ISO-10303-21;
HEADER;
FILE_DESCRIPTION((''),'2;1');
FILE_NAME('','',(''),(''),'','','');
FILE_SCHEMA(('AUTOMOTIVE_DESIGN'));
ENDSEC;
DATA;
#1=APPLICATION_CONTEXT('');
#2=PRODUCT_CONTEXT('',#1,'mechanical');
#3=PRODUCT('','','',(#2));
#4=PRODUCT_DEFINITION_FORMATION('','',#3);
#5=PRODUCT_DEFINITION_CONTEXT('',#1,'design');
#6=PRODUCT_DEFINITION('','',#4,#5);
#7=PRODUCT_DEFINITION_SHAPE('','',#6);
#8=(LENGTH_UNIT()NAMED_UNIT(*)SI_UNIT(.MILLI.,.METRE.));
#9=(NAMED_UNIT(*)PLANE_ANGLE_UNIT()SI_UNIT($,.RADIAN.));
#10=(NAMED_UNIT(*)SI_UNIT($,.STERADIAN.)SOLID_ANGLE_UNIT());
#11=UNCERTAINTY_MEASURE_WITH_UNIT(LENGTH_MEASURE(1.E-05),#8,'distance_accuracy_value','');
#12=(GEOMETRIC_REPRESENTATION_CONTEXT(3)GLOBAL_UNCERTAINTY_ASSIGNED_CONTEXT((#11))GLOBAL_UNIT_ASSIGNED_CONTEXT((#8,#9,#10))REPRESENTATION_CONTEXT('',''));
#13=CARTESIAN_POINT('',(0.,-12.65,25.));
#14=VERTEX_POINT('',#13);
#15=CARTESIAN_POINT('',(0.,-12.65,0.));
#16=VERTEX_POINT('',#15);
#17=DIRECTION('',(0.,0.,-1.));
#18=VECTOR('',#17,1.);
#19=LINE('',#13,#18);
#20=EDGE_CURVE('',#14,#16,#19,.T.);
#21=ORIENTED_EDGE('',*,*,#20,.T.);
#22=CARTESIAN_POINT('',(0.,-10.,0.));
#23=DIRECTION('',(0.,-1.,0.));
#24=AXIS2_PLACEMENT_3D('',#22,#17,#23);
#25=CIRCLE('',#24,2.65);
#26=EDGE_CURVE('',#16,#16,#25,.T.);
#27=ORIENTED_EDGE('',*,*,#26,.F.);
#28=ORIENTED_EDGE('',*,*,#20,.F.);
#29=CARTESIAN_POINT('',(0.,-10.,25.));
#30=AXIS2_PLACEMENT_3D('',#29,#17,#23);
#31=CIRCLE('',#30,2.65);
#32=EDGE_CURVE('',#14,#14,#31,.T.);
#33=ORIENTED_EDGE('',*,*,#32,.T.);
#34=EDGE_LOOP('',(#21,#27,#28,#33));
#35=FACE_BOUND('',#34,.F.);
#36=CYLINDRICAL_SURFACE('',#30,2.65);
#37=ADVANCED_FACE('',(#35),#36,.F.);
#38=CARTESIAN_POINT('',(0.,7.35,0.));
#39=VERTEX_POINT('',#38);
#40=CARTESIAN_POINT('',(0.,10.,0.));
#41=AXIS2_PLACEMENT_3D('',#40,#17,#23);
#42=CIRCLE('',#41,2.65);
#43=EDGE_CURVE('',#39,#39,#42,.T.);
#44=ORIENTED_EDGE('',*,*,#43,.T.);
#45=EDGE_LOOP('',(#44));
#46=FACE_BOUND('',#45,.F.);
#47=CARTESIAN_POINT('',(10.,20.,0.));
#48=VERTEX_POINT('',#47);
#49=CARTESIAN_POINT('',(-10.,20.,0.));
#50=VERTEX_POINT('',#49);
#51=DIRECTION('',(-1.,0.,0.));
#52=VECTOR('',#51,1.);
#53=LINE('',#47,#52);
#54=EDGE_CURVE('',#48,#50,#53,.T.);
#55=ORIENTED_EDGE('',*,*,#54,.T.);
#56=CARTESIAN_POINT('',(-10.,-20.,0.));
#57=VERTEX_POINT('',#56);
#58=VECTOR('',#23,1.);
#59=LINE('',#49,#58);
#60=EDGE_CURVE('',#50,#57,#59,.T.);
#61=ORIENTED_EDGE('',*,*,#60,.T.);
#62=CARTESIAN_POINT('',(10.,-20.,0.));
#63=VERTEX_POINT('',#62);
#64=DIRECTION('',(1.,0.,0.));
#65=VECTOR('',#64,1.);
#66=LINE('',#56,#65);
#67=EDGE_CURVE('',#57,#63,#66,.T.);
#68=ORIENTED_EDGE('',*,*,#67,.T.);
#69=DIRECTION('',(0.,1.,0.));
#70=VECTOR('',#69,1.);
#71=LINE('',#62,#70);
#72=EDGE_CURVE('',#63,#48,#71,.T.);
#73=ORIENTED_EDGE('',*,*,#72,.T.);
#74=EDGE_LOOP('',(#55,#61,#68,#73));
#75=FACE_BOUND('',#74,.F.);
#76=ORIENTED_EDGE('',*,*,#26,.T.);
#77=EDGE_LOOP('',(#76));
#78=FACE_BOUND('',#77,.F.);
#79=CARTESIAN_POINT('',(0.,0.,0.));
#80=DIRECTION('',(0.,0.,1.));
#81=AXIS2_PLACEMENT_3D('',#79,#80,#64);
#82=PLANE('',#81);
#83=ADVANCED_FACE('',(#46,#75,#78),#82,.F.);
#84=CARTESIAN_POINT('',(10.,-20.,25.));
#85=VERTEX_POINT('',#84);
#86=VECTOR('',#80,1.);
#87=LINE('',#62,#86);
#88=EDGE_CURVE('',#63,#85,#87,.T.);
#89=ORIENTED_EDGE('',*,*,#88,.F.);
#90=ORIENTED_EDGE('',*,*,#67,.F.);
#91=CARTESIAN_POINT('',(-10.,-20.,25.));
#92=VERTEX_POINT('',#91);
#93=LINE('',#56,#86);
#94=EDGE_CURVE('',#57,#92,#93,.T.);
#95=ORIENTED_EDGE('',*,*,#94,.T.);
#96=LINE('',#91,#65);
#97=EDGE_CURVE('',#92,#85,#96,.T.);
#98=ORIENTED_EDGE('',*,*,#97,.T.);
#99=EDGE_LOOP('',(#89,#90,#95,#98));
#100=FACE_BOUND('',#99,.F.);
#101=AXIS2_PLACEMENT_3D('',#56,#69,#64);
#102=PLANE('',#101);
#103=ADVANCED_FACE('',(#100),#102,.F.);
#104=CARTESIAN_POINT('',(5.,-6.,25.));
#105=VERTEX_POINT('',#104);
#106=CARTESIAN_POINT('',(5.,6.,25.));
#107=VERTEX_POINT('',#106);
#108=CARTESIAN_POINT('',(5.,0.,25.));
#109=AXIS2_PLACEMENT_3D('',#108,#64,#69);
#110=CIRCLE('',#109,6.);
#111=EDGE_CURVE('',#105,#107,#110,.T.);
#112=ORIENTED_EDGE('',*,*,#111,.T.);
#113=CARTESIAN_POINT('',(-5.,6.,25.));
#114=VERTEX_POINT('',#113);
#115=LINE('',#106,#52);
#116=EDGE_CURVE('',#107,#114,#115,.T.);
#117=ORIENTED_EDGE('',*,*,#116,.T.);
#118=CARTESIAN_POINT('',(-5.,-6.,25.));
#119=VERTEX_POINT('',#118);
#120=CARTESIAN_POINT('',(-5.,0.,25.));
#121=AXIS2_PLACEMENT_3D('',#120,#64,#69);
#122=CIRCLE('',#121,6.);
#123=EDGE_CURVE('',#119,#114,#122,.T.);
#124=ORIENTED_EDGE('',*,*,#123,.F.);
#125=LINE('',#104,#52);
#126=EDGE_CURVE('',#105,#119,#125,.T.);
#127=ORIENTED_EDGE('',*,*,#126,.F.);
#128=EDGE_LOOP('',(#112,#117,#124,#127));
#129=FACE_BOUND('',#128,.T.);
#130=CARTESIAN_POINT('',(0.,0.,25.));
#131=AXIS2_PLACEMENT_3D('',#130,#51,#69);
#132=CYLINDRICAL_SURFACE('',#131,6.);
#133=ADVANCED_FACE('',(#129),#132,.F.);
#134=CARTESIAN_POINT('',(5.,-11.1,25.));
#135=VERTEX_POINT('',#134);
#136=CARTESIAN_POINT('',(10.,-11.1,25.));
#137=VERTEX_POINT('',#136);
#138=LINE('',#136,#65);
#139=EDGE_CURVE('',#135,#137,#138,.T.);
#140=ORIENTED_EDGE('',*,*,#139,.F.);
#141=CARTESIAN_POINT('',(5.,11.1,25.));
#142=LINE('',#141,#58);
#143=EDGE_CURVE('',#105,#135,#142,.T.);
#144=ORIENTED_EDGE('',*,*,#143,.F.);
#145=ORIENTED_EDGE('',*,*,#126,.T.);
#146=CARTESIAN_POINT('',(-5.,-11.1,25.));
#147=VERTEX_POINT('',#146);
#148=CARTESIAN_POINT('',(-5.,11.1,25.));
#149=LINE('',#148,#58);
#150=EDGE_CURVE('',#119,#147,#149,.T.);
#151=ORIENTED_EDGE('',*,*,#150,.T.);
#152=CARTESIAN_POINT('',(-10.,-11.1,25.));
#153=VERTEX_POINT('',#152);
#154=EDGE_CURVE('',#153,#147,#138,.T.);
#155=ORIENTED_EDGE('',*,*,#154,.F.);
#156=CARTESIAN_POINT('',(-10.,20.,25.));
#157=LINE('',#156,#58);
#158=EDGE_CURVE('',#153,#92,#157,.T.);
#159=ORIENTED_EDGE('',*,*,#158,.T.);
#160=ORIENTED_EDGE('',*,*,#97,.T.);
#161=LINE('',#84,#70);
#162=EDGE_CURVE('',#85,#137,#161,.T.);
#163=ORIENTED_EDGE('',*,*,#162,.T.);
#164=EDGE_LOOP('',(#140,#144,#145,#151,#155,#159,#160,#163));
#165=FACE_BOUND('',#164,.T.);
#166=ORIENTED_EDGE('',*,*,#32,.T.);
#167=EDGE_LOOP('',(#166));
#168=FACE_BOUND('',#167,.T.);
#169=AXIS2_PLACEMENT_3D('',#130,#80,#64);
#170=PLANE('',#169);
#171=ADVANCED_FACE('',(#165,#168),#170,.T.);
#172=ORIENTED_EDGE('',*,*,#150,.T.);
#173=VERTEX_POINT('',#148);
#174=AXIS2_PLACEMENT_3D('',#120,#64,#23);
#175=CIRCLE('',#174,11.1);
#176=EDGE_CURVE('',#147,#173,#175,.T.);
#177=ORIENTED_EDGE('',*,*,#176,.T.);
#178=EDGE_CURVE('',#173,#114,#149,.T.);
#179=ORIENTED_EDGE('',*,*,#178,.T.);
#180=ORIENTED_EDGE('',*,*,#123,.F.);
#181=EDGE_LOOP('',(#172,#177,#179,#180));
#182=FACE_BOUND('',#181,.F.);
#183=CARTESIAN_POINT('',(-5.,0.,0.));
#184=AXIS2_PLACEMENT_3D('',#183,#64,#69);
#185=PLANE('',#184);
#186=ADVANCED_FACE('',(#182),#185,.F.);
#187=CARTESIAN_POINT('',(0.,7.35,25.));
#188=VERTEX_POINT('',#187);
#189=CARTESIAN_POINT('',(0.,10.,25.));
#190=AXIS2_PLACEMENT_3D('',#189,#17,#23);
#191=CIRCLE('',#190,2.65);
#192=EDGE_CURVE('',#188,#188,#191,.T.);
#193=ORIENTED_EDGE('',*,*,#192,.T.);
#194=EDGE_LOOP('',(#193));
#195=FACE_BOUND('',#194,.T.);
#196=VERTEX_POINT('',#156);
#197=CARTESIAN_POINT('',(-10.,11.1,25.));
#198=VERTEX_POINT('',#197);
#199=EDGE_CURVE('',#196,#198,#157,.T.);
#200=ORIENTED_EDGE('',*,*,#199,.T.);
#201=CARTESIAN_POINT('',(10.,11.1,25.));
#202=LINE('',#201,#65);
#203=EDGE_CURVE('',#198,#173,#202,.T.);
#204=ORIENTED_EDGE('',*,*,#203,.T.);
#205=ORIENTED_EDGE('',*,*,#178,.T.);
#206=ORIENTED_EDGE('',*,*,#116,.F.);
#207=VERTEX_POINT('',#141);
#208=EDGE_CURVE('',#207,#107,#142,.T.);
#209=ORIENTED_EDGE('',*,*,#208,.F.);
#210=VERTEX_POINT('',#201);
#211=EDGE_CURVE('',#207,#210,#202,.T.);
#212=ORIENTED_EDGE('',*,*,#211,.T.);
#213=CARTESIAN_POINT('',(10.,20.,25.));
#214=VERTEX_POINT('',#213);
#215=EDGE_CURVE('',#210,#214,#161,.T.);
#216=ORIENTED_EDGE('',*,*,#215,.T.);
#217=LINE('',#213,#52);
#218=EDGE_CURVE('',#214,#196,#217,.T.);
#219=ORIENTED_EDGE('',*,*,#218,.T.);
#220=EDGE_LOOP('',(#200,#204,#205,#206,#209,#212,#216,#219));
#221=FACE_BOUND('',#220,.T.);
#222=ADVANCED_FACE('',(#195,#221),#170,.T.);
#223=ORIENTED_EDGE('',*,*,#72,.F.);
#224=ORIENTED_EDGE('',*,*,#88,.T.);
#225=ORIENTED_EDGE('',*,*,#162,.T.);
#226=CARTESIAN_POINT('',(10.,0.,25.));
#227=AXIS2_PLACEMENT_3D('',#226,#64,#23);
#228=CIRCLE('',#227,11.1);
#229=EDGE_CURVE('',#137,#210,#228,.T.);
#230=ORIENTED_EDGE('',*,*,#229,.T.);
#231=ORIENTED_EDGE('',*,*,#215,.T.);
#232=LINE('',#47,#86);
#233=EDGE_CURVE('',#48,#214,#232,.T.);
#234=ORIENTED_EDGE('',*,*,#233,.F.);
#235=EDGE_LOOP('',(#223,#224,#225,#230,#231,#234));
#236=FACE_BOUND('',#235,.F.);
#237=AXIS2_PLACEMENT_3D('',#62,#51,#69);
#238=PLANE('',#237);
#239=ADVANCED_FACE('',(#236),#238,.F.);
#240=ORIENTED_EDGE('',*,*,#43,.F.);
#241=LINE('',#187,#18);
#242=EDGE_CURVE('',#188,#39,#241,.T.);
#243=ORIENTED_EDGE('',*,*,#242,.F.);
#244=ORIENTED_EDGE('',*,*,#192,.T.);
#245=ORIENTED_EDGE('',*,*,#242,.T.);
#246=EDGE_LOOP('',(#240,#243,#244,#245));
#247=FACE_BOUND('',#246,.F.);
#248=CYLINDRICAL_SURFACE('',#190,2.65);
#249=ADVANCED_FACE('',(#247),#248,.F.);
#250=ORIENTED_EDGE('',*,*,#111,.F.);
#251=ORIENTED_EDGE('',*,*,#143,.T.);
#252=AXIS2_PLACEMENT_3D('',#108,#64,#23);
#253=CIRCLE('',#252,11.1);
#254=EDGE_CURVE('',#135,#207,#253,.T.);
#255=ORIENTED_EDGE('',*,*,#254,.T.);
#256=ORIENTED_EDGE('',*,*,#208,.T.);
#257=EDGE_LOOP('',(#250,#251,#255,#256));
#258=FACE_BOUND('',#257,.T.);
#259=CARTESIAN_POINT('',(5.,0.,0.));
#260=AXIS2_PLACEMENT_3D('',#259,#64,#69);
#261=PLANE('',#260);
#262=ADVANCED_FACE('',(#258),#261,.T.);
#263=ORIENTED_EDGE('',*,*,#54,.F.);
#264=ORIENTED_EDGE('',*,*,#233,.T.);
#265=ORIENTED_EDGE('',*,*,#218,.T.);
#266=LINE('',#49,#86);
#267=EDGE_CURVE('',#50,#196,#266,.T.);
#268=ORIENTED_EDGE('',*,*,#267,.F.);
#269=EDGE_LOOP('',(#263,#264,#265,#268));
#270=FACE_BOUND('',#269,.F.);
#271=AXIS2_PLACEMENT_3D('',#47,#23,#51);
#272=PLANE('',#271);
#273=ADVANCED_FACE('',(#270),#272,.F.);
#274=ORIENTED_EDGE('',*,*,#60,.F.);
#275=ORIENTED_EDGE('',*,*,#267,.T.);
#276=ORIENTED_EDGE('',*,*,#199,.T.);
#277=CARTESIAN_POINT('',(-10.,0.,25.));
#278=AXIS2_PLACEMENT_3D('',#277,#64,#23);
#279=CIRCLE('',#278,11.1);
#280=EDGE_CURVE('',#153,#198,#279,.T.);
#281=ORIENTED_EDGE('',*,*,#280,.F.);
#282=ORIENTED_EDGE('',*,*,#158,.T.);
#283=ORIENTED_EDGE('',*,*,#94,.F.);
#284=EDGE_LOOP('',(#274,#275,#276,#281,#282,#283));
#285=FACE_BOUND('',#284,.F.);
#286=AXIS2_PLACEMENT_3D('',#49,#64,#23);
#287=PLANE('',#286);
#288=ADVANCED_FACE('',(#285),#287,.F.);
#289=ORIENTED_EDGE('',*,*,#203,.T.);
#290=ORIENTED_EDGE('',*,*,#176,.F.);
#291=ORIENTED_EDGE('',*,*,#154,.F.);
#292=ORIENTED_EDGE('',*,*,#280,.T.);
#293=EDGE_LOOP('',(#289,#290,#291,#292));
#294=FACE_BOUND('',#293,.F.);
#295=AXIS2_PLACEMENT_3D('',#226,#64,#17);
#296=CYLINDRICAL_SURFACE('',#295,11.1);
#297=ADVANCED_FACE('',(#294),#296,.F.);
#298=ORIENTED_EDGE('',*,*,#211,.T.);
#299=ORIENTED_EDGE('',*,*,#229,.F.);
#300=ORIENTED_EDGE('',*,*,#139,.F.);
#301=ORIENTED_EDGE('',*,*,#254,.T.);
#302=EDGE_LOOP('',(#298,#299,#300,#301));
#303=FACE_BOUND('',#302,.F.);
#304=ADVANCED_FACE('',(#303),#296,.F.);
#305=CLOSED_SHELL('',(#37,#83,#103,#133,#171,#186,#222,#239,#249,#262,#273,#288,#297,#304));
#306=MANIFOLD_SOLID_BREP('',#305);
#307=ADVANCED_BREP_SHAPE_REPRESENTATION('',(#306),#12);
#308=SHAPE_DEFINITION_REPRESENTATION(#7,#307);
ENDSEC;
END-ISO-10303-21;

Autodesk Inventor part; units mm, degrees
ref_plane "YZ Plane" through (0, 0, 0) normal (1, 0, 0) x (0, 1, 0)
ref_plane "XZ Plane" through (0, 0, 0) normal (0, 1, 0) x (-1, 0, 0)
ref_plane "XY Plane" through (0, 0, 0) normal (0, 0, 1) x (1, 0, 0)
sketch "スケッチ1" plane through (0, 0, 0) normal (0, 0, 1) x (1, 0, 0)
  line L0 (-10, -20) -> (10, -20)
  line L1 (10, -20) -> (10, 20)
  line L2 (10, 20) -> (-10, 20)
  line L3 (-10, 20) -> (-10, -20)
  line L4 (-10, -20) -> (10, 20) construction
  line L5 (10, -20) -> (-10, 20) construction
  point P0 (0, 0)
  dimension "d0" = 20
  dimension "d1" = 40
extrude "押し出し1" add sketch "スケッチ1" along normal blind 25
sketch "スケッチ2" plane through (10, -20, 0) normal (1, 0, 0) x (0, 0, -1)
  circle A0 centre (-25, 20) radius 11.1
  line L0 (0, 40) -> (-25, 40) projected
  dimension "d4" = 22.2
  dimension "d7" = 20
extrude "押し出し2" cut sketch "スケッチ2" against normal through all
sketch "スケッチ7" plane through (0, 0, 0) normal (1, 0, 0) x (0, 1, 0)
  arc A0 (-11.1, 25) -> (11.1, 25) centre (0, 25) ccw projected
  line L0 (20, 25) -> (11.1, 25) projected
  line L1 (20, 0) -> (20, 25) projected
  line L2 (20, 0) -> (-20, 0) projected
  line L3 (-20, 0) -> (-20, 25) projected
  line L4 (-11.1, 25) -> (-20, 25) projected
  circle A1 centre (0, 25) radius 6
  arc A2 (-11.1, 25) -> (11.1, 25) centre (0, 25) ccw projected
  line L5 (11.1, 25) -> (-11.1, 25)
  point P0 (0, 0)
  point P1 (-6, 25)
  point P2 (6, 25)
  dimension "d27" = 12
extrude "押し出し5" add sketch "スケッチ7" along normal mid plane 10 contours L5 A1 A0
sketch "スケッチ5" plane through (0, 0, 25) normal (0, 0, 1) x (1, 0, 0)
  line L0 (10, 20) -> (-10, 20) projected
  line L1 (-10, -20) -> (10, -20) projected
  point P0 (0, 0)
  point P1 (0, 10)
  point P2 (0, -10)
  dimension "d18" = 10
  dimension "d19" = 10
hole "穴1" at (0, 10, 25) at (0, -10, 25) direction (0, 0, -1) diameter 5.3 depth 58
properties part number "Print_Parts_A2" material "PC/ABS プラスチック"
